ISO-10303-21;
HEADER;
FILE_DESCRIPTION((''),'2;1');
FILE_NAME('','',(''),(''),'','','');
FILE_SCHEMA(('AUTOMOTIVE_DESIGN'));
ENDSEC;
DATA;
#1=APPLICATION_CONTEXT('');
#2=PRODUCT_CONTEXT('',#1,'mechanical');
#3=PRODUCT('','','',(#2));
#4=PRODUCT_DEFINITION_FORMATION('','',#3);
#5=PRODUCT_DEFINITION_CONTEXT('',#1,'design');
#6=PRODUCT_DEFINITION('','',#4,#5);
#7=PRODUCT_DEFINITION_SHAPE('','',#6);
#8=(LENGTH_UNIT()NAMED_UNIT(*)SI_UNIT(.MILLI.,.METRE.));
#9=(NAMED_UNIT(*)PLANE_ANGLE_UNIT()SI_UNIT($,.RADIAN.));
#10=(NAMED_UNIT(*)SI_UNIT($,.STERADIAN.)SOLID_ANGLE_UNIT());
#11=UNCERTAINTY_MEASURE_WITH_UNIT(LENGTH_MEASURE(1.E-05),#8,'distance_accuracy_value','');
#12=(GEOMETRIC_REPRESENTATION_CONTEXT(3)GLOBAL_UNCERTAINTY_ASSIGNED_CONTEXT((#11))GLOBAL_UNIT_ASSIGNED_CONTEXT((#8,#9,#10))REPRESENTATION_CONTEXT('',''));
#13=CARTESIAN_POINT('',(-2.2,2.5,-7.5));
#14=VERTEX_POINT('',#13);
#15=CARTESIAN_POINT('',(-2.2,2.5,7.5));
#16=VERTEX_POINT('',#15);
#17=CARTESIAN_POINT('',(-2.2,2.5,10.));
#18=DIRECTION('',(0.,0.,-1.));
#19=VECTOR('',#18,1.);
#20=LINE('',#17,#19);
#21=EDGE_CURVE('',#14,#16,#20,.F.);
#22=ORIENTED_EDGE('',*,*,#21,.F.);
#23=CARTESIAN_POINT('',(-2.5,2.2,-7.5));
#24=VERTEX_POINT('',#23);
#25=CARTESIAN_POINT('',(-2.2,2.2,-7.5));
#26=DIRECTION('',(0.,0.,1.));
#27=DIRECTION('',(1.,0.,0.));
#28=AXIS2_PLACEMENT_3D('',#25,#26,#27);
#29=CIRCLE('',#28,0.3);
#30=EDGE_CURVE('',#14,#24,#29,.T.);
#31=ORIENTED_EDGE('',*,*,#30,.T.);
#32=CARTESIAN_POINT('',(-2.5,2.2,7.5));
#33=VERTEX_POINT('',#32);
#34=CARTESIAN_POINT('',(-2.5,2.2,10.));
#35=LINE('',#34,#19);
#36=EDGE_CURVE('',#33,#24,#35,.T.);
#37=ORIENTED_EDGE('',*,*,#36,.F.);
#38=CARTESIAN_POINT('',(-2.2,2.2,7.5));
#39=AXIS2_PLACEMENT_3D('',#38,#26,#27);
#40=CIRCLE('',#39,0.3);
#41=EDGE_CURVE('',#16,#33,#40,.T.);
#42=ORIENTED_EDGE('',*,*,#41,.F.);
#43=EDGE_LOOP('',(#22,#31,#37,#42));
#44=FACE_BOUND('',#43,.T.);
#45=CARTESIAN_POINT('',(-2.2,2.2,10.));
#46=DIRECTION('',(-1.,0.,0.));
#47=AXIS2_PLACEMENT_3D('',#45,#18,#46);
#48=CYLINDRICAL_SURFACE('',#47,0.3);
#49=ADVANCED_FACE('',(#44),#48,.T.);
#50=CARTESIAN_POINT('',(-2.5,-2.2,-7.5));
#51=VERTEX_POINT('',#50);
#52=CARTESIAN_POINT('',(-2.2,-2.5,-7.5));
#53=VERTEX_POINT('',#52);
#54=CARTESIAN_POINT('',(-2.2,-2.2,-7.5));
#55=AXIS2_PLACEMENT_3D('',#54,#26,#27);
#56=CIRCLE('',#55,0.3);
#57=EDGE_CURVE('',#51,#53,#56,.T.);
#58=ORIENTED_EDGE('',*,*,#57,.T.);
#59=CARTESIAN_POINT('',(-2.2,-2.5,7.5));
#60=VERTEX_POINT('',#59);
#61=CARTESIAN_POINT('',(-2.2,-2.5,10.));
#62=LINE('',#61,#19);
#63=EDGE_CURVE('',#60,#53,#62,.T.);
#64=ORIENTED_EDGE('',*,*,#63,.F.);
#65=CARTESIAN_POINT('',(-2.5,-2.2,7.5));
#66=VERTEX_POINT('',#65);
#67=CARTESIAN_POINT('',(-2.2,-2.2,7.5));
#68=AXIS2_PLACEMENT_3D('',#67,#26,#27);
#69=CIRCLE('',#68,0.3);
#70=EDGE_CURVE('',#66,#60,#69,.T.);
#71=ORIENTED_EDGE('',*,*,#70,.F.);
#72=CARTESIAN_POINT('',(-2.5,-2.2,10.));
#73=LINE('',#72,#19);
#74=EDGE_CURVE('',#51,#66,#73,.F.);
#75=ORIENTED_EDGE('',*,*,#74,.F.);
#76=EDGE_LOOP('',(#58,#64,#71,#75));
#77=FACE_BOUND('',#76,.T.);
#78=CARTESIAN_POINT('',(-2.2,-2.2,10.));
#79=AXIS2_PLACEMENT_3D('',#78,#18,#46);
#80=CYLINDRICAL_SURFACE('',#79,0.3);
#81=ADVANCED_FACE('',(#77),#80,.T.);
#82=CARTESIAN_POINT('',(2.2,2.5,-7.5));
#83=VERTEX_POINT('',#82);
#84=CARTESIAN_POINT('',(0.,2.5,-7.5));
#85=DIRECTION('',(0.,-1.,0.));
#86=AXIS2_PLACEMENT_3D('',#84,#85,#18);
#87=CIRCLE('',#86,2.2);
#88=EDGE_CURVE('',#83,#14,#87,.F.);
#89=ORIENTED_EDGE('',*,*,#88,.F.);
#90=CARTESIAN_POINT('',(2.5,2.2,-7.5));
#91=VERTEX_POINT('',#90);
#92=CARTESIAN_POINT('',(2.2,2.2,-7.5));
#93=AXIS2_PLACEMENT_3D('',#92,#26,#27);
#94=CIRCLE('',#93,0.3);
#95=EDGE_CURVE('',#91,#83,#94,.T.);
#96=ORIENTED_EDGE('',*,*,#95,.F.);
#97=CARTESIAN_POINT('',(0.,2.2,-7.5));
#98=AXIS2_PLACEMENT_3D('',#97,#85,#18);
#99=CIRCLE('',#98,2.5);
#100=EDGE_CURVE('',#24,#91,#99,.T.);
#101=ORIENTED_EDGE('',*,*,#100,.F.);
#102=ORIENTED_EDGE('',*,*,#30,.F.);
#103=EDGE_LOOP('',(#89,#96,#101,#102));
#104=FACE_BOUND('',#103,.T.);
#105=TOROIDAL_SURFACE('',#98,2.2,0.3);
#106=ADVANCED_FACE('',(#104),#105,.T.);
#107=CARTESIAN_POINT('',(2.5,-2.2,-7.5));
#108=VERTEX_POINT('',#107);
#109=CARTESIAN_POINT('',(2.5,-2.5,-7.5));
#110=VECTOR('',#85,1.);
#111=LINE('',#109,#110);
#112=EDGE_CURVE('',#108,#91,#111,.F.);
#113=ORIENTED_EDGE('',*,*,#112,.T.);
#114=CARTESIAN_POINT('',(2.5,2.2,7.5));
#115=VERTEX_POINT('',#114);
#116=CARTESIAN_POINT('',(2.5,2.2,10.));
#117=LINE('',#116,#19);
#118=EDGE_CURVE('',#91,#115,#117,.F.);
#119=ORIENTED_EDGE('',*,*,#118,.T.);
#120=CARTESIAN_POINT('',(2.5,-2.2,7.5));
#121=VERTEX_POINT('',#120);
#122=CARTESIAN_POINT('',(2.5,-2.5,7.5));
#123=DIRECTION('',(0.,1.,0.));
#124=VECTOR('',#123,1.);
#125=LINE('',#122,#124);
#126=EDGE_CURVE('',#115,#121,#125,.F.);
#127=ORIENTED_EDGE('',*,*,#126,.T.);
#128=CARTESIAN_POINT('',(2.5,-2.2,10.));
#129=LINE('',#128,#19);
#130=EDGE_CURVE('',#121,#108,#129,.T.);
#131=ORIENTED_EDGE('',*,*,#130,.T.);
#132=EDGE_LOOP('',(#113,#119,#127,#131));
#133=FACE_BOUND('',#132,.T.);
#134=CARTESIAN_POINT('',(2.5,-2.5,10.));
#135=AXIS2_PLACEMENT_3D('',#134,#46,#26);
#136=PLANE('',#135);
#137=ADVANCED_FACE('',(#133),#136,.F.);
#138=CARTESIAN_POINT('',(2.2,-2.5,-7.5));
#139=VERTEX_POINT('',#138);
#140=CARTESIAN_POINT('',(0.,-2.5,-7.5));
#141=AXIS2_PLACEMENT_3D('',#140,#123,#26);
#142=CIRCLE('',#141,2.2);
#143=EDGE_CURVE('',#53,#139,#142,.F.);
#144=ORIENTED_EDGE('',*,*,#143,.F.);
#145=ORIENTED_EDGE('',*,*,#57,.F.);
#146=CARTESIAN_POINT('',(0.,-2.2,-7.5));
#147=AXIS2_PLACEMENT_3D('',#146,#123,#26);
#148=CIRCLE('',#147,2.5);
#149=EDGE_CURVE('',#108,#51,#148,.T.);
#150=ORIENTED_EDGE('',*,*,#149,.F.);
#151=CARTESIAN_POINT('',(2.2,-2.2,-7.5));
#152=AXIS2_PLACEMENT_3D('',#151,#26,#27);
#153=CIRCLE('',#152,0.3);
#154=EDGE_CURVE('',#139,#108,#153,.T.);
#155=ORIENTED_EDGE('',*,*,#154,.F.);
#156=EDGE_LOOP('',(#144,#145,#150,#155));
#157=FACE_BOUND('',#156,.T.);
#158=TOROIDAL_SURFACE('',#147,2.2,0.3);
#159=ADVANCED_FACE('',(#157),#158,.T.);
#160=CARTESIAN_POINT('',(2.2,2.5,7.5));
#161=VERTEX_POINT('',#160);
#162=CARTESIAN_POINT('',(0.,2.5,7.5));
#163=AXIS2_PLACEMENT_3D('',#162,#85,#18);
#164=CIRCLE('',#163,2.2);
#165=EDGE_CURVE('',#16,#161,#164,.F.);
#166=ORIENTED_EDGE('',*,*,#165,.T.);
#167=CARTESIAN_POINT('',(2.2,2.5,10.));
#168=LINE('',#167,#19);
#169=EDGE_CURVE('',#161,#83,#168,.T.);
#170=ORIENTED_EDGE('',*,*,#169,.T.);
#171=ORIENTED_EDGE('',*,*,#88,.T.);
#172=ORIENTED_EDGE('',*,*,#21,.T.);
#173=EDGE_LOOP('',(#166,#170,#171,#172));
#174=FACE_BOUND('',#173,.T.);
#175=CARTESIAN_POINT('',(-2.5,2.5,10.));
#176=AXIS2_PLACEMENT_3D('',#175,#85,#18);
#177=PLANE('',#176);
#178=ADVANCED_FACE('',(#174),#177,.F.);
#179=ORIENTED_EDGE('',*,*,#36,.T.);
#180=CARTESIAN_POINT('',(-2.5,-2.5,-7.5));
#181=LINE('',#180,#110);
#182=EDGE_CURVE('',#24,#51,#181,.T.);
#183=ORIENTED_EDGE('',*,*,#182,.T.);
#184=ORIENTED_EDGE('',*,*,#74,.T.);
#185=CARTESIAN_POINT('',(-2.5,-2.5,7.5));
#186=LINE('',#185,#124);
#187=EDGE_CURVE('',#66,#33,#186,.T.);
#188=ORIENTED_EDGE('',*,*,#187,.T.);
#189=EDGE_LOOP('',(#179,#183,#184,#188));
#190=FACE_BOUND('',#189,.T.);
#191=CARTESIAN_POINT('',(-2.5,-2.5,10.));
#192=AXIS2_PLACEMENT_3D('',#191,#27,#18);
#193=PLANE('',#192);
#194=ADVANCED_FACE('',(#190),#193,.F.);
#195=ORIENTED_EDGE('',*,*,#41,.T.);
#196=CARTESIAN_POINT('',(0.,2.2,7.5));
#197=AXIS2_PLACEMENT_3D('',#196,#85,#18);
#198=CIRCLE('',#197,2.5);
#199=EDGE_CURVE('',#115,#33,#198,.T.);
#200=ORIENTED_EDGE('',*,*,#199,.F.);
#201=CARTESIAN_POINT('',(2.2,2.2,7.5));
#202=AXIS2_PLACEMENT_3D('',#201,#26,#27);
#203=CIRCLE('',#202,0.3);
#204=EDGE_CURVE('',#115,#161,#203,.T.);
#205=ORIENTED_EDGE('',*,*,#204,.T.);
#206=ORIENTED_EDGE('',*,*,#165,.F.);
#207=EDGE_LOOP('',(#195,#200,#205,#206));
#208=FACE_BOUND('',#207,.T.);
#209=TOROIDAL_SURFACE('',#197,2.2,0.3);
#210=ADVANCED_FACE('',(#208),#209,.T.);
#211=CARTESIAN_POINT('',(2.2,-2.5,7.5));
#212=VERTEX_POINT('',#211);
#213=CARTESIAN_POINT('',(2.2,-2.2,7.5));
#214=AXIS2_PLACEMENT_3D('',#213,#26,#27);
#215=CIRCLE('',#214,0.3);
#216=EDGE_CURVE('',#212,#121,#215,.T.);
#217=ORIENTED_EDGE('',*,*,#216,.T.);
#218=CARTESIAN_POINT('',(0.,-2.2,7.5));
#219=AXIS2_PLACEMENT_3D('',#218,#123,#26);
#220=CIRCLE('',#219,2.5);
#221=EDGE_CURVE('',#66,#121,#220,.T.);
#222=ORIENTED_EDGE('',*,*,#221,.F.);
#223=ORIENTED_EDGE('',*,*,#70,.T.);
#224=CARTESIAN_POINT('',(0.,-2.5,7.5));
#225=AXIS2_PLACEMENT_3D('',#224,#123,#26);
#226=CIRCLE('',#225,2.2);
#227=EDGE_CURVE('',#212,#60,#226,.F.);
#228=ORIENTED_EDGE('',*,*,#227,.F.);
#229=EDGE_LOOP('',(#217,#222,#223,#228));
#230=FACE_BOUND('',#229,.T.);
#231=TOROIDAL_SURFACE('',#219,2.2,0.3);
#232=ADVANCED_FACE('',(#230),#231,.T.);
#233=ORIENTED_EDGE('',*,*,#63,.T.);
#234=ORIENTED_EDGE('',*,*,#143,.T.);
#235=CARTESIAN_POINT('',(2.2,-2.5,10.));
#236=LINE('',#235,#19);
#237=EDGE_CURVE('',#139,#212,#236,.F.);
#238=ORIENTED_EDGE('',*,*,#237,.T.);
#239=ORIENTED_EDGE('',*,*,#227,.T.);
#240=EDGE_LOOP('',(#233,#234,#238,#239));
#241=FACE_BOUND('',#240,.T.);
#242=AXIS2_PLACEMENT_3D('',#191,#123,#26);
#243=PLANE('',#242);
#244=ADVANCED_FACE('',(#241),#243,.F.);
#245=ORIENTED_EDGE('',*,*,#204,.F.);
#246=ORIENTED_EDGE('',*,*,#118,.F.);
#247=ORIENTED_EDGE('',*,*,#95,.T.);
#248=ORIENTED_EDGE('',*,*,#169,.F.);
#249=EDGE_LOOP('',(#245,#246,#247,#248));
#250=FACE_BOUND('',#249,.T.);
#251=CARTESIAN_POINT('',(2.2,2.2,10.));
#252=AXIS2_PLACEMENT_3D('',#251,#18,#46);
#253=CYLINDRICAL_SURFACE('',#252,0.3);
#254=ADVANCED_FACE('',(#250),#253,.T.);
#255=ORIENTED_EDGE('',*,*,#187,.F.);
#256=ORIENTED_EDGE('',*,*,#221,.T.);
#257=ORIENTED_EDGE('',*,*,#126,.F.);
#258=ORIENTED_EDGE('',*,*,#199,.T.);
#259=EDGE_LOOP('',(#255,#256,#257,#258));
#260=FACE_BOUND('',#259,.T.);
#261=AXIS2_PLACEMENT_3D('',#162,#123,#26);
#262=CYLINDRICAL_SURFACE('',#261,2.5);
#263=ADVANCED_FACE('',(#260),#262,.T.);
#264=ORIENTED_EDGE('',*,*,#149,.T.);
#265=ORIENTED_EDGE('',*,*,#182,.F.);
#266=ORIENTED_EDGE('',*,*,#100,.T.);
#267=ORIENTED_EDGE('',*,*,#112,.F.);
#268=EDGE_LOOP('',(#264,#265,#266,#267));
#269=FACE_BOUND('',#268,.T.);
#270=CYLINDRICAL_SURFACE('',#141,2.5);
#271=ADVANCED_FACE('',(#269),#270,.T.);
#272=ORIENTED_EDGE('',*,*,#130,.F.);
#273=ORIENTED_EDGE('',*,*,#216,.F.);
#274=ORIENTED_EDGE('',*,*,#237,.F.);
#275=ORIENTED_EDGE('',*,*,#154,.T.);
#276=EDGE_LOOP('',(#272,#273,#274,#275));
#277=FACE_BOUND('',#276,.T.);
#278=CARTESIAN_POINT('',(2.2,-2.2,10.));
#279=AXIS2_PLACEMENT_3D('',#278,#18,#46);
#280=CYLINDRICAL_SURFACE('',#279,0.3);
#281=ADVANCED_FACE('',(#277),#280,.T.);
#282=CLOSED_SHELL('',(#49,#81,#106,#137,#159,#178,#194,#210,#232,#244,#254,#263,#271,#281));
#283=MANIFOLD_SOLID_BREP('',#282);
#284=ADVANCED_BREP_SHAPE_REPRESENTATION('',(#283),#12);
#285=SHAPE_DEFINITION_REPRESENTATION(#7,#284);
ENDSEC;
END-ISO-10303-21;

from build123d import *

# Parameters (mm, degrees)
SKETCH1_W           = 5
SKETCH1_H           = 5
BOSS_EXTRUDE1_DEPTH = 10
FILLET1_RADIUS      = 2.5
FILLET1_LENGTH      = 5
FILLET2_RADIUS      = 2.5
FILLET2_LENGTH      = 5
FILLET3_R           = 0.3


with BuildPart() as part:
    # Sketch1 → Boss-Extrude1 (new, symmetric)
    with BuildSketch(Plane.XY):
        Rectangle(SKETCH1_W, SKETCH1_H)
    extrude(amount=BOSS_EXTRUDE1_DEPTH, both=True)

    # Fillet1: full round fillet: the end face becomes a half cylinder, R = half its width
    fillet1_face = Plane((0, 0, 10), x_dir=(0, -1, 0), z_dir=(0, 0, 1))  # on the end face: x along it, z out of the body
    fillet1_slab = fillet1_face.offset(-FILLET1_RADIUS / 2) * Box(FILLET1_LENGTH, 2 * FILLET1_RADIUS, FILLET1_RADIUS, mode=Mode.PRIVATE)  # the body's end, R deep
    fillet1_round = Plane((0, 0, 7.5), x_dir=(0, 0, 1), z_dir=(0, -1, 0)) * Cylinder(FILLET1_RADIUS, FILLET1_LENGTH, mode=Mode.PRIVATE)  # its axis R under the face
    add(fillet1_slab - fillet1_round, mode=Mode.SUBTRACT)

    # Fillet2: full round fillet: the end face becomes a half cylinder, R = half its width
    fillet2_face = Plane((0, 0, -10), x_dir=(0, 1, 0), z_dir=(0, 0, -1))  # on the end face: x along it, z out of the body
    fillet2_slab = fillet2_face.offset(-FILLET2_RADIUS / 2) * Box(FILLET2_LENGTH, 2 * FILLET2_RADIUS, FILLET2_RADIUS, mode=Mode.PRIVATE)  # the body's end, R deep
    fillet2_round = Plane((0, 0, -7.5), x_dir=(0, 0, -1), z_dir=(0, 1, 0)) * Cylinder(FILLET2_RADIUS, FILLET2_LENGTH, mode=Mode.PRIVATE)  # its axis R under the face
    add(fillet2_slab - fillet2_round, mode=Mode.SUBTRACT)

    # Fillet3
    fillet3_edges = [part.edges().sort_by_distance(p)[0] for p in [
        (2.5, 2.5, 0),
        (2.5, -2.5, 0),
        (-2.5, -2.5, 0),
        (-2.5, 2.5, 0),
        (0, 2.5, 10),
        (0, -2.5, 10),
        (0, -2.5, -10),
        (0, 2.5, -10),
    ]]
    fillet(fillet3_edges, radius=FILLET3_R)


solid = part.part
